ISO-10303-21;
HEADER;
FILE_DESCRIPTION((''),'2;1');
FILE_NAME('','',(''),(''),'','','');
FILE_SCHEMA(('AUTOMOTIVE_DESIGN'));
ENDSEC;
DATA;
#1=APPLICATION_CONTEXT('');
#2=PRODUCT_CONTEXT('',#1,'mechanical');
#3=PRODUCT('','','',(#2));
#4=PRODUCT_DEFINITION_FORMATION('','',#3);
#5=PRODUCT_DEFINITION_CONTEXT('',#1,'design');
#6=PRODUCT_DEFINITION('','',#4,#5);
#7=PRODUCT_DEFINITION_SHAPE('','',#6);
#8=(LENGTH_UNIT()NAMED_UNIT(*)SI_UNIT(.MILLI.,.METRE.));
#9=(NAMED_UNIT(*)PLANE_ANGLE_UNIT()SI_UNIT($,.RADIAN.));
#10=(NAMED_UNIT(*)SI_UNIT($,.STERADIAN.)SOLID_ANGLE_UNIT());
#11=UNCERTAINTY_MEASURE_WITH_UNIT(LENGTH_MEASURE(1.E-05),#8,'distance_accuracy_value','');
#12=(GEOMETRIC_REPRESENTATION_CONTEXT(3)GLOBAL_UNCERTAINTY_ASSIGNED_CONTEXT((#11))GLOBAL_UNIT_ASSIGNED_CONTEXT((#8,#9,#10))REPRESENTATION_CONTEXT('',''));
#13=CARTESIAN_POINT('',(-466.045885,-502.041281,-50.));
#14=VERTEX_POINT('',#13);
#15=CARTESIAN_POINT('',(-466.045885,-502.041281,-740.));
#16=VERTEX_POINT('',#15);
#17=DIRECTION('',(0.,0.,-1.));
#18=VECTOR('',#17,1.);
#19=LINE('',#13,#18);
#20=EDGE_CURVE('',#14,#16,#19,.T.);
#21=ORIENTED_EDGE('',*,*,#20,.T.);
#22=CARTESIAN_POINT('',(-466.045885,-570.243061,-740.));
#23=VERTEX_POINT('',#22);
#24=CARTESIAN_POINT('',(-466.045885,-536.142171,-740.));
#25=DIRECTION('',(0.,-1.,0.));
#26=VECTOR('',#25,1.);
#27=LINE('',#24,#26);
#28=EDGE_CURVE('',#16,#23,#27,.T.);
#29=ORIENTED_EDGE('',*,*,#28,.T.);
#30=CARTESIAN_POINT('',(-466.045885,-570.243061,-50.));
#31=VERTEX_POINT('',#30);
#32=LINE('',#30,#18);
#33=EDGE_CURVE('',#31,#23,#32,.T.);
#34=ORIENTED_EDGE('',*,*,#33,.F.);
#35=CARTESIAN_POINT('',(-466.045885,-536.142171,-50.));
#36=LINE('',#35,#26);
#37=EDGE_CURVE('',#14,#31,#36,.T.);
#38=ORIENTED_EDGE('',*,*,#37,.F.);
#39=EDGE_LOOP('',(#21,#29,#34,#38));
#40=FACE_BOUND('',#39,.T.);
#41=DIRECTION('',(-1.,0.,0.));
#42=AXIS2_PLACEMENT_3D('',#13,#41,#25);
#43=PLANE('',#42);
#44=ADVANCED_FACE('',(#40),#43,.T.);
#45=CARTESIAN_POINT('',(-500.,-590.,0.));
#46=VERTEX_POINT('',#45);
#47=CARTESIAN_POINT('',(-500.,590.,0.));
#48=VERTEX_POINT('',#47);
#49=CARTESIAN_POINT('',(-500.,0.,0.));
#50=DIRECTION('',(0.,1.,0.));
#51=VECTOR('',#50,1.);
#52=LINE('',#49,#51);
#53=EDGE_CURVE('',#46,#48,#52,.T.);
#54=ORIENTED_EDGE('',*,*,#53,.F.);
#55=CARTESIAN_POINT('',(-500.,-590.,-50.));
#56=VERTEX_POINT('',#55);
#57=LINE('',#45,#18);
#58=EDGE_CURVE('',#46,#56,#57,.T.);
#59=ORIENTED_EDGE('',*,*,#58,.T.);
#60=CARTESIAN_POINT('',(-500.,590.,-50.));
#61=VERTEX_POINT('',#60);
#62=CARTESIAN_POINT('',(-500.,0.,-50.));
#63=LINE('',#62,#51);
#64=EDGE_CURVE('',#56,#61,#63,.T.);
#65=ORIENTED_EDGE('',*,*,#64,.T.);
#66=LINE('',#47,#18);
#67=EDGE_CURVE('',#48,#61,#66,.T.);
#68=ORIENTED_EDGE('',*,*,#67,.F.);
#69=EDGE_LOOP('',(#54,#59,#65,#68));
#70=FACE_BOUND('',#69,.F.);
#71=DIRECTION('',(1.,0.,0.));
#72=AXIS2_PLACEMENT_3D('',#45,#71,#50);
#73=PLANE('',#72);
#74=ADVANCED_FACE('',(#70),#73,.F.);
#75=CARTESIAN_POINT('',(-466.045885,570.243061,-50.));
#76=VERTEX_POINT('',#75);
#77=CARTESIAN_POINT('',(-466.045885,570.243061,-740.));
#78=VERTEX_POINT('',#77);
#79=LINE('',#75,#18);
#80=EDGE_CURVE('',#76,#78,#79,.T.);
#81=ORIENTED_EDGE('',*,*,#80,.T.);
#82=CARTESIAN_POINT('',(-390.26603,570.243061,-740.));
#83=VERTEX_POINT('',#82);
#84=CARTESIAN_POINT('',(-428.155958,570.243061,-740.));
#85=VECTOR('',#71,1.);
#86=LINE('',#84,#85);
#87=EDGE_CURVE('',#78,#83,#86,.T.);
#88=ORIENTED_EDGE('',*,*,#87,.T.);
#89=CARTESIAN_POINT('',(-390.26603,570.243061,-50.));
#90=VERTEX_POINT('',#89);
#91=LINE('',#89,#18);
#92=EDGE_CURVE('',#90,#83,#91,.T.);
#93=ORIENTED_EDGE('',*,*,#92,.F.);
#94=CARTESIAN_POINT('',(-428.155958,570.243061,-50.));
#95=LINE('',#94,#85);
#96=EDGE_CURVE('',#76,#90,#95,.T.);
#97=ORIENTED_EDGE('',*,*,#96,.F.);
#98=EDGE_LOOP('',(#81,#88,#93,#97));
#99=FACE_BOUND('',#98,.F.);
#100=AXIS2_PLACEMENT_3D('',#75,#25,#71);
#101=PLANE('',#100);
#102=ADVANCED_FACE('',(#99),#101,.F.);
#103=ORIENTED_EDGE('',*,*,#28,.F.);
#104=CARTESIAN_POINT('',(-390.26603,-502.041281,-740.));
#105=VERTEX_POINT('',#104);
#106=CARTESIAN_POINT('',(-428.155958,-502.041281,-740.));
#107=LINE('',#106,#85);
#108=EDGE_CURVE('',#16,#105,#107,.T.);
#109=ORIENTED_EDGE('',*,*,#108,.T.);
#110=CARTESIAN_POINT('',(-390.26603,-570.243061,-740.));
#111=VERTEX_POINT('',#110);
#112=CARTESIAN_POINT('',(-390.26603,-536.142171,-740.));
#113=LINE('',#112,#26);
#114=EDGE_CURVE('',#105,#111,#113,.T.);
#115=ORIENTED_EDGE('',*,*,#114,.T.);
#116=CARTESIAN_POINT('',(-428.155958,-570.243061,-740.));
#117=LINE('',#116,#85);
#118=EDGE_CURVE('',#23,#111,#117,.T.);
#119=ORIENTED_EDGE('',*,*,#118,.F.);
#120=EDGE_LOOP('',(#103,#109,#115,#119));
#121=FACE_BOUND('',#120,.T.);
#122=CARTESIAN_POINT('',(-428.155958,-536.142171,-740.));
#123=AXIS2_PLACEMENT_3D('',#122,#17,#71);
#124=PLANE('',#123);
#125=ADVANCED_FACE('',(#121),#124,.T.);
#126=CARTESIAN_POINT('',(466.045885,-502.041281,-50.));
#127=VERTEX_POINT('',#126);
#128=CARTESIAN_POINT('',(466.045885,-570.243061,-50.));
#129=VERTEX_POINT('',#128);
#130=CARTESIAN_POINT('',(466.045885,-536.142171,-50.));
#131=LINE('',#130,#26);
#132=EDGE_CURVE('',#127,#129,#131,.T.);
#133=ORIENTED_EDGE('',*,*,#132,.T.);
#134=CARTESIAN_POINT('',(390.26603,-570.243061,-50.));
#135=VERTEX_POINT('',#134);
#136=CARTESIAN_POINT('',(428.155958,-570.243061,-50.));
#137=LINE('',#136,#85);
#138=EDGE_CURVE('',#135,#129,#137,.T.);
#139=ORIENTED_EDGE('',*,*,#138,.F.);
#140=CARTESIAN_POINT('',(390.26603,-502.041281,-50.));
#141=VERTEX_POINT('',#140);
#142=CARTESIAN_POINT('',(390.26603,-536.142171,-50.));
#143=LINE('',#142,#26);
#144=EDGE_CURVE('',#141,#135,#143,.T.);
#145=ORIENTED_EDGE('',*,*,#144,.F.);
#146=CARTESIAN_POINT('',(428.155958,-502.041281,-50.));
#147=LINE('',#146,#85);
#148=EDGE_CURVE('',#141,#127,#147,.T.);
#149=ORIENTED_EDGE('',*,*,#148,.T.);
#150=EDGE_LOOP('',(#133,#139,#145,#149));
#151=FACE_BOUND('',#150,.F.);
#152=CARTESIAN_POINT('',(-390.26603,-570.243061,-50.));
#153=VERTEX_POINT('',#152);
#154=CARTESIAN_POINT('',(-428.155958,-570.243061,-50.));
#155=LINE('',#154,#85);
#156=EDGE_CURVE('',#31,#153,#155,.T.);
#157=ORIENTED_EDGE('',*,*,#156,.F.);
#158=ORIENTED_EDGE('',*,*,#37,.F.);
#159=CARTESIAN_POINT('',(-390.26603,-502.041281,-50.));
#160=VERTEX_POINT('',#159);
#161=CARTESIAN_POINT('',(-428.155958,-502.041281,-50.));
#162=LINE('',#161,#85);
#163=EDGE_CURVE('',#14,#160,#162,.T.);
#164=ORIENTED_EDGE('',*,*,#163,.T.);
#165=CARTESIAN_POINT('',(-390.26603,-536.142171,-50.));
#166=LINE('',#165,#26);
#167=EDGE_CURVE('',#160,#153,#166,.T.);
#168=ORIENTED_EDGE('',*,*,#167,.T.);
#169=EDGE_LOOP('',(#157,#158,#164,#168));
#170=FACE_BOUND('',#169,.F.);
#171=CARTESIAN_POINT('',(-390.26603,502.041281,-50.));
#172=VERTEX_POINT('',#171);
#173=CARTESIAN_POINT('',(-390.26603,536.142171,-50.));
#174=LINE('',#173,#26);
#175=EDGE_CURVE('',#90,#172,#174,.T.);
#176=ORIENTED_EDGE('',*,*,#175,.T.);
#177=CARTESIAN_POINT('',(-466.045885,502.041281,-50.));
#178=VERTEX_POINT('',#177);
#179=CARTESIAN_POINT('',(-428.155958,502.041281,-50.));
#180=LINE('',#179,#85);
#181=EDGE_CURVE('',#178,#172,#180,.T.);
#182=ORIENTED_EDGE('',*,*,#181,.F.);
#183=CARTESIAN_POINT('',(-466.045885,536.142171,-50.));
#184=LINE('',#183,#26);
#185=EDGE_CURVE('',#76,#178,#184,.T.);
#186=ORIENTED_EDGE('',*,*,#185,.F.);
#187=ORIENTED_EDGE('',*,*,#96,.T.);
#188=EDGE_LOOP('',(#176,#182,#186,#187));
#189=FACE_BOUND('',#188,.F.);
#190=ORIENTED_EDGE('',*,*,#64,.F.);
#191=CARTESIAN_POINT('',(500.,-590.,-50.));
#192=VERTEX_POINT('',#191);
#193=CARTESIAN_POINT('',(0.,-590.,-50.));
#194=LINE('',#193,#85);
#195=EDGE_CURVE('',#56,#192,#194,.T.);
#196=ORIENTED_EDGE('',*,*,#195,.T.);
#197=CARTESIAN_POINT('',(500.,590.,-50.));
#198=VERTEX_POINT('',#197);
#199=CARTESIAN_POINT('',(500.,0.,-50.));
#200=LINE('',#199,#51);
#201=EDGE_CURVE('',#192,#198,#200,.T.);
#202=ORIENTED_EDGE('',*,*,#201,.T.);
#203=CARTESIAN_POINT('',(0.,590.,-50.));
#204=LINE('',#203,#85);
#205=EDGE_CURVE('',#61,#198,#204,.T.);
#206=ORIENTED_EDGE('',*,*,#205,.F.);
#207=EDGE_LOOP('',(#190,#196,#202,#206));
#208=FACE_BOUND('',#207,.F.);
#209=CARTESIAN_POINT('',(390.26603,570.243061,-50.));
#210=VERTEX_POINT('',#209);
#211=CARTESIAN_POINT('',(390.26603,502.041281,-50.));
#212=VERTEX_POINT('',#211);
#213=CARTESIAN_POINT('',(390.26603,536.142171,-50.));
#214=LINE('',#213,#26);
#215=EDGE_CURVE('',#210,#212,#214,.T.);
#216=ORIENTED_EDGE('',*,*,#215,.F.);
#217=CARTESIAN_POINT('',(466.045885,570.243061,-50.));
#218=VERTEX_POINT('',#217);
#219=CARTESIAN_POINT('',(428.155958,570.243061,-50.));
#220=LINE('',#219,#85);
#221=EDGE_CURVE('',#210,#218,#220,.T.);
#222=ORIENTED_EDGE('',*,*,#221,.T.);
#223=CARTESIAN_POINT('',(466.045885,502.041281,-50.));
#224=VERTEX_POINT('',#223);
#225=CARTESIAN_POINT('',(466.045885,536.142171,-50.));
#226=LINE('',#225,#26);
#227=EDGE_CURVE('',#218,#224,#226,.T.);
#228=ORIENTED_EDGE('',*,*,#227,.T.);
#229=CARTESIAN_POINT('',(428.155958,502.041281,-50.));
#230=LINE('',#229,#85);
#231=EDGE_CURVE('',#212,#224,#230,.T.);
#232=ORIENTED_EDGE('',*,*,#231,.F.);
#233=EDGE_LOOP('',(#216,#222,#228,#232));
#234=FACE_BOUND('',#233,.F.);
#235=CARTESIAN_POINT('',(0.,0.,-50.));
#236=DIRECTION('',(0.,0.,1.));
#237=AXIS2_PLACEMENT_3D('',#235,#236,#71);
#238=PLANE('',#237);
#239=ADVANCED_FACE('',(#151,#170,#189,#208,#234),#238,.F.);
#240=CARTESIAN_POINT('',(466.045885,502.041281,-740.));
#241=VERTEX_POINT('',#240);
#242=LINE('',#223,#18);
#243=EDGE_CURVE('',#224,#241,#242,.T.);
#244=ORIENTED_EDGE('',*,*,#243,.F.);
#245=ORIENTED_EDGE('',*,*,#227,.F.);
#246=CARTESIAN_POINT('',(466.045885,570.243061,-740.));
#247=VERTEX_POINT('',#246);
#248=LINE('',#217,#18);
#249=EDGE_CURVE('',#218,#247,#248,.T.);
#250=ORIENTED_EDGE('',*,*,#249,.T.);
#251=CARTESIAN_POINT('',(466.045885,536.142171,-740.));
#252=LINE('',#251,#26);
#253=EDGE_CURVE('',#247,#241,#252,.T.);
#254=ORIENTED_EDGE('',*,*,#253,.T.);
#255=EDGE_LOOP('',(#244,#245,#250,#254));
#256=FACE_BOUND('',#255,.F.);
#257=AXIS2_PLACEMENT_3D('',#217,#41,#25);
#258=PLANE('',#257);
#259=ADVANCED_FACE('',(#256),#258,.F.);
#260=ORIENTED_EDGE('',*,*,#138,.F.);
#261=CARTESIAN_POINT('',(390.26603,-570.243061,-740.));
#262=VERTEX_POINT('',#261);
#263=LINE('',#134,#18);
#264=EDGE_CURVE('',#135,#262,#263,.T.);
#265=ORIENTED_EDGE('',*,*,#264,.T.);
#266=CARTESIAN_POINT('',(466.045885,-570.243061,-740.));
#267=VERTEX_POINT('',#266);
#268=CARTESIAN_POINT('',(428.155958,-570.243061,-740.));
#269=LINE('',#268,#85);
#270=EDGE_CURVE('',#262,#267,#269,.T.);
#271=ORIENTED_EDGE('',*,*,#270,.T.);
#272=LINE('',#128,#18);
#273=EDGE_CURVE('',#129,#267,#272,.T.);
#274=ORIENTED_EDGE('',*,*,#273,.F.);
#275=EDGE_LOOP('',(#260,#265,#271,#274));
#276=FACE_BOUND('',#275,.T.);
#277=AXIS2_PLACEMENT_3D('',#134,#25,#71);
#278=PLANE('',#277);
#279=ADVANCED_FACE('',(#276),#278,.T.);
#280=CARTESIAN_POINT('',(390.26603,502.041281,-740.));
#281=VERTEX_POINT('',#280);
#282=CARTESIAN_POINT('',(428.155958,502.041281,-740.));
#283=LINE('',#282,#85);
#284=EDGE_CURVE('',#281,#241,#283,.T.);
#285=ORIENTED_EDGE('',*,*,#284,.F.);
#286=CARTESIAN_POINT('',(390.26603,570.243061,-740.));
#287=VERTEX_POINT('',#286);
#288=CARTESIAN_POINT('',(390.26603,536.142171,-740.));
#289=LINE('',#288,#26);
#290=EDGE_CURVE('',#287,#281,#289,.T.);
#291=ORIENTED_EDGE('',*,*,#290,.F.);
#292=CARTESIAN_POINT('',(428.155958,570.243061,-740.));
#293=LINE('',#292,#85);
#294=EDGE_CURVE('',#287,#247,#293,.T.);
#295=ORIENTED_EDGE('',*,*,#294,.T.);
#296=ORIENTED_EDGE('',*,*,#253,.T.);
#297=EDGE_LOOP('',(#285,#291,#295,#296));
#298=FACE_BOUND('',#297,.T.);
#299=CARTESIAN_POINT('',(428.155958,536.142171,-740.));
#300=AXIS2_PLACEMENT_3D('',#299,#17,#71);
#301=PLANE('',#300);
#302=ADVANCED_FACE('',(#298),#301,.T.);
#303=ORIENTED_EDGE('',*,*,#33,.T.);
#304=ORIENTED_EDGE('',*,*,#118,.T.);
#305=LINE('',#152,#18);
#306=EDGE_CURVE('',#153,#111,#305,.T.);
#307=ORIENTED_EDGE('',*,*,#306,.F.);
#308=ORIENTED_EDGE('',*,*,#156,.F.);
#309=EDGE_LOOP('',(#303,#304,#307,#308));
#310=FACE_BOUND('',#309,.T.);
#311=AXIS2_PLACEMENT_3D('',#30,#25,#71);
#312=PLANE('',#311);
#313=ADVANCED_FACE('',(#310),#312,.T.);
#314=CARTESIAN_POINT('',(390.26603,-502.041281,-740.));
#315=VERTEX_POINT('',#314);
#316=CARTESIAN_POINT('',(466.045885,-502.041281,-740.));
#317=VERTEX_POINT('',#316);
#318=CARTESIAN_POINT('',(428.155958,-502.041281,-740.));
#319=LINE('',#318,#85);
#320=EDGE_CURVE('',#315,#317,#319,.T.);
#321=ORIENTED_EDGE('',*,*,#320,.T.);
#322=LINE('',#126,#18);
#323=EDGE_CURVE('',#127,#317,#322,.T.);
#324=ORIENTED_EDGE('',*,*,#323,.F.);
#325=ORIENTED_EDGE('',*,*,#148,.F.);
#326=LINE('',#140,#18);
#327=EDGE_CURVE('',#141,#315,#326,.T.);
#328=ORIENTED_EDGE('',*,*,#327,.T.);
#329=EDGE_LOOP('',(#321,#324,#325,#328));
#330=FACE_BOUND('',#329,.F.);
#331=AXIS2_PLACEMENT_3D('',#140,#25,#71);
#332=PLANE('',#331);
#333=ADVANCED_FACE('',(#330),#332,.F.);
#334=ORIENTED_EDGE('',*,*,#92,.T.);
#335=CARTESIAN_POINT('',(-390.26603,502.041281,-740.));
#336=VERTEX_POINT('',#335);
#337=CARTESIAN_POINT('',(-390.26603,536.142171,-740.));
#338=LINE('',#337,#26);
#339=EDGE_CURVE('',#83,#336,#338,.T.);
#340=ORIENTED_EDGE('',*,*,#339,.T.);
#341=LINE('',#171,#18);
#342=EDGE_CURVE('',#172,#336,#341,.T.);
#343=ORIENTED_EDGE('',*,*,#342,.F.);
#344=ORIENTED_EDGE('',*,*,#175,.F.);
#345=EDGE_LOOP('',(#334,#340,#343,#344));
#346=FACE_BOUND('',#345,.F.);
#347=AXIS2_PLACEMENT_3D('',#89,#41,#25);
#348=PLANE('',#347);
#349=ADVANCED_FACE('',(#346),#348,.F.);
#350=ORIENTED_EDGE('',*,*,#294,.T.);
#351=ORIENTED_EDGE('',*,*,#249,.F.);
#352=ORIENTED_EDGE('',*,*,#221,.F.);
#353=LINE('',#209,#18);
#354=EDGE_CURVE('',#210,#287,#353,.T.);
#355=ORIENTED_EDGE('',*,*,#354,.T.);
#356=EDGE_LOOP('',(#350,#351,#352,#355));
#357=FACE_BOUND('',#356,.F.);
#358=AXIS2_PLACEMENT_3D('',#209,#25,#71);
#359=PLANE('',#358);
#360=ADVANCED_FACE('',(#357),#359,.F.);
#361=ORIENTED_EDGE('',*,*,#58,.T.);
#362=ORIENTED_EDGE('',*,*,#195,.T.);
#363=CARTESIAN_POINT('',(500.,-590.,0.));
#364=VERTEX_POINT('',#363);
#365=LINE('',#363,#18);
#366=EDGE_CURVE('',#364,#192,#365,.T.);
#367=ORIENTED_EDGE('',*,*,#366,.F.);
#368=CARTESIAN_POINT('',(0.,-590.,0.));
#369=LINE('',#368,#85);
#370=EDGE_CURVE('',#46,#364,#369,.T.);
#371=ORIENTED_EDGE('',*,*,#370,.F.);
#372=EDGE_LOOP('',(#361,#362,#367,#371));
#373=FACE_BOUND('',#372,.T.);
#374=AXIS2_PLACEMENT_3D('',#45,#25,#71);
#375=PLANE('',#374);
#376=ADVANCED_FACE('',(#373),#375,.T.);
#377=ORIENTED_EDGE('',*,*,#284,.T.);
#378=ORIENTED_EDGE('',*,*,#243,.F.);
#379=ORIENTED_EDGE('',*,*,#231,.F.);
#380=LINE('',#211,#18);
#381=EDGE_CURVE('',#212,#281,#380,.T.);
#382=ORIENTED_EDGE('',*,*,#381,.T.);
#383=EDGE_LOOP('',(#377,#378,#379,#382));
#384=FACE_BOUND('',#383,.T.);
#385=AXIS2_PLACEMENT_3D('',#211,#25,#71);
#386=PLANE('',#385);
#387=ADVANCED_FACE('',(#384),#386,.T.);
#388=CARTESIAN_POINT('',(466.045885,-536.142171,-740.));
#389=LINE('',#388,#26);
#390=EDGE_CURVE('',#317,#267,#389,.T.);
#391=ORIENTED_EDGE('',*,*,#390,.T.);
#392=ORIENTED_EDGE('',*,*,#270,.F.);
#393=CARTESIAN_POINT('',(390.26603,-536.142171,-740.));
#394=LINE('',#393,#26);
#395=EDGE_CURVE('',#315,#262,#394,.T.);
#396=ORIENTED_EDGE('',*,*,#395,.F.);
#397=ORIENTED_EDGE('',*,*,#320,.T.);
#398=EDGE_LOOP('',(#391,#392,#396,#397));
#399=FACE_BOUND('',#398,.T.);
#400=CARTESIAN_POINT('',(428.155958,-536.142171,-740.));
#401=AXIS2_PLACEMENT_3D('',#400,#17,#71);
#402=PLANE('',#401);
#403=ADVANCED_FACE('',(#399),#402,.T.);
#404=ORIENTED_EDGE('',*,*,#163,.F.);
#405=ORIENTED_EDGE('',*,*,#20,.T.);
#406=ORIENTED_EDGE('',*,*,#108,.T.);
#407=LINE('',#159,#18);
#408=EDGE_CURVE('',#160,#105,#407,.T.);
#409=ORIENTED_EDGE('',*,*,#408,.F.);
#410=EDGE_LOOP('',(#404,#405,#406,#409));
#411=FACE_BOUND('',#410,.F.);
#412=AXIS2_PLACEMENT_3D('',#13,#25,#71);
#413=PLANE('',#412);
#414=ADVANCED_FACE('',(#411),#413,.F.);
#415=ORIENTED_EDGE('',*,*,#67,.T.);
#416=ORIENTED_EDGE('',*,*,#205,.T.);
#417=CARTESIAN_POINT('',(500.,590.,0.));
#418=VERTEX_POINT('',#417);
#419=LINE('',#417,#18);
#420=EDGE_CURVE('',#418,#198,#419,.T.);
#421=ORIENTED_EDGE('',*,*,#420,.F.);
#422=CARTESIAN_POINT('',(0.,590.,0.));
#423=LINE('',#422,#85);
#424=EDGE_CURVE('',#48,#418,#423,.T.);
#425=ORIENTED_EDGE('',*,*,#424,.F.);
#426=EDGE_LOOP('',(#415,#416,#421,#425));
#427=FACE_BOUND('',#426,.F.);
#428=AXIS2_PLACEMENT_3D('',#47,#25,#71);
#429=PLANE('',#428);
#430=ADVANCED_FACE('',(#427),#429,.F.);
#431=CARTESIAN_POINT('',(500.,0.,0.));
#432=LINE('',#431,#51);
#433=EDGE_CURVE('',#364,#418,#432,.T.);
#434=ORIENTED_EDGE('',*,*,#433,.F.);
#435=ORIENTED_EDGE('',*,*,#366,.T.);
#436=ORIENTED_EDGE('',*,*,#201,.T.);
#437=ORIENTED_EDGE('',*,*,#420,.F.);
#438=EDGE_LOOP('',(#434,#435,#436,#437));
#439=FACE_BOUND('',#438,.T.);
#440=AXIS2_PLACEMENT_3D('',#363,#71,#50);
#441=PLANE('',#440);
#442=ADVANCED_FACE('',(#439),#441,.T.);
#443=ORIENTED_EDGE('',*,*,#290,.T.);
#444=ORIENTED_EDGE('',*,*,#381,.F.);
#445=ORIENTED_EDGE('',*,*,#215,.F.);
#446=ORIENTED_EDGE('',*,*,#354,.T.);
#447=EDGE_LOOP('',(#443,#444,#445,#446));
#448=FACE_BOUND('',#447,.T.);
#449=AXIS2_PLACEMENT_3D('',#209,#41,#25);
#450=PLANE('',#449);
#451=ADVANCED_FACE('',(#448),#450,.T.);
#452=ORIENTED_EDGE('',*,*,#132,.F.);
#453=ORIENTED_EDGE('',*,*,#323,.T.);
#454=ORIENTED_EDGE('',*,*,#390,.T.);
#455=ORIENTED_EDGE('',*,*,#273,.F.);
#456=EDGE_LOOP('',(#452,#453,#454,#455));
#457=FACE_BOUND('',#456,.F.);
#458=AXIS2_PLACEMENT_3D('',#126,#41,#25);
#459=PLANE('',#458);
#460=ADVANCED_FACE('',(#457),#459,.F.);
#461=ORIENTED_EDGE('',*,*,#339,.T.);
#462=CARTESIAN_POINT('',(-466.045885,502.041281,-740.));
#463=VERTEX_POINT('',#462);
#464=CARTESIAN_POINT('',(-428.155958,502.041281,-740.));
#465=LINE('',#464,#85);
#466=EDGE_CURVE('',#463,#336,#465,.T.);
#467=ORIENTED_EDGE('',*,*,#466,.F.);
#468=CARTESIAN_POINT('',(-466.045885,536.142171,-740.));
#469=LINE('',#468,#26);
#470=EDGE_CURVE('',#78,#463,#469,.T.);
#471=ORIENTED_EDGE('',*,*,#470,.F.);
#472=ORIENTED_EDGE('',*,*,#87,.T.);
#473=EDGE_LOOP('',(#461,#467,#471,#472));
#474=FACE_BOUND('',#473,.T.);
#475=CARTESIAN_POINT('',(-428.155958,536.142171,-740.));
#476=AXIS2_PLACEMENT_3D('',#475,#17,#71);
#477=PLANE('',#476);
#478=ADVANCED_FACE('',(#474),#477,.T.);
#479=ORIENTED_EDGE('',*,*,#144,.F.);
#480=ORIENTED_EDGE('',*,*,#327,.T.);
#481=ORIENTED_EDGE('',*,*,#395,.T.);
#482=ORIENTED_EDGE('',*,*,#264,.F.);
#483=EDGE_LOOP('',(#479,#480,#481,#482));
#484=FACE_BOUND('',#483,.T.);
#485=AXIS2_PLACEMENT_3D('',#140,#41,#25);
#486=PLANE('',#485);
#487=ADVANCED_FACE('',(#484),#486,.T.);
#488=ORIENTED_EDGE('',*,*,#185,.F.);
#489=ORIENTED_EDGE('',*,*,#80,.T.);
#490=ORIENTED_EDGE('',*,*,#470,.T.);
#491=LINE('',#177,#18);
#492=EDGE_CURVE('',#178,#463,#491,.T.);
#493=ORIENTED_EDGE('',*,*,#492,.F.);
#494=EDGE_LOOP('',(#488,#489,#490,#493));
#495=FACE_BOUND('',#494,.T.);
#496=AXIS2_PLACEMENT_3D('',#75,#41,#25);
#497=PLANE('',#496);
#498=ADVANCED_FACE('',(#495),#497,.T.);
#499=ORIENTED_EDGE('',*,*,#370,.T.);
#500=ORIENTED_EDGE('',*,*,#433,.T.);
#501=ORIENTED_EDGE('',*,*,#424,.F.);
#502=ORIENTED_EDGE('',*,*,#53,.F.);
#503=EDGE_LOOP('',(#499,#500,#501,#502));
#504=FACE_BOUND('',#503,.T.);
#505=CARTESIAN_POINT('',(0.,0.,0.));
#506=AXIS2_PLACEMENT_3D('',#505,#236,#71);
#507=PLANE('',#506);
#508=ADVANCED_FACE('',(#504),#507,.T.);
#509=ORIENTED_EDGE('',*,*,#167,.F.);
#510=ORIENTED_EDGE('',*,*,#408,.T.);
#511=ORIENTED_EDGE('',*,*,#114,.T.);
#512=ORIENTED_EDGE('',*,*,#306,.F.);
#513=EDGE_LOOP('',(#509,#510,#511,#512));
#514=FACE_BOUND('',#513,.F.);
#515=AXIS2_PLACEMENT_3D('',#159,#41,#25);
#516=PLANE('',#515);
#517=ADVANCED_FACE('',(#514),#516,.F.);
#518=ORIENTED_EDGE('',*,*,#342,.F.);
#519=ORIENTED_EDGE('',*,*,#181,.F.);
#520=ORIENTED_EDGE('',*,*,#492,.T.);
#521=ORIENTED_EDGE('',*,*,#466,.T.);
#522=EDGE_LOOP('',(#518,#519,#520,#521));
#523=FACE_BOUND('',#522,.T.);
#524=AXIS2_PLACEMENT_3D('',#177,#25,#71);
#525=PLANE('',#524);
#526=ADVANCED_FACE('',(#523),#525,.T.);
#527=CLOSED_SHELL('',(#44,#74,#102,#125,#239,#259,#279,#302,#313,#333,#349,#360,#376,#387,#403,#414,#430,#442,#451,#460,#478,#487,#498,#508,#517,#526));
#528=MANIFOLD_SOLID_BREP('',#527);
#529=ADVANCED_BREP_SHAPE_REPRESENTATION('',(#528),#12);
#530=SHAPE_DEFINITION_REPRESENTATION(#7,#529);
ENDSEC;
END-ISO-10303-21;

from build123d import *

# Parameters (mm, degrees)
F0_W     = 1000
F0_H     = 1180
F1_DEPTH = 50
F2_W     = 75.779855
F2_H     = 68.201781
F3_DEPTH = 690


with BuildPart() as f1:
    # F0 (on Top) → F1 (new body)
    with BuildSketch(Plane.XY):
        Rectangle(F0_W, F0_H)
    extrude(amount=-F1_DEPTH)

    # F2 (on face) → F3 (join)
    with BuildSketch(Plane(origin=(0, 0, -50), x_dir=(1, 0, 0), z_dir=(0, 0, -1))):
        with Locations((-428.155958, 536.142171)):
            Rectangle(F2_W, F2_H)
        with Locations((428.155958, 536.142171)):
            Rectangle(F2_W, F2_H)
        with Locations((428.155958, -536.142171)):
            Rectangle(F2_W, F2_H)
        with Locations((-428.155958, -536.142171)):
            Rectangle(F2_W, F2_H)
    extrude(amount=F3_DEPTH)


solid = f1.part
